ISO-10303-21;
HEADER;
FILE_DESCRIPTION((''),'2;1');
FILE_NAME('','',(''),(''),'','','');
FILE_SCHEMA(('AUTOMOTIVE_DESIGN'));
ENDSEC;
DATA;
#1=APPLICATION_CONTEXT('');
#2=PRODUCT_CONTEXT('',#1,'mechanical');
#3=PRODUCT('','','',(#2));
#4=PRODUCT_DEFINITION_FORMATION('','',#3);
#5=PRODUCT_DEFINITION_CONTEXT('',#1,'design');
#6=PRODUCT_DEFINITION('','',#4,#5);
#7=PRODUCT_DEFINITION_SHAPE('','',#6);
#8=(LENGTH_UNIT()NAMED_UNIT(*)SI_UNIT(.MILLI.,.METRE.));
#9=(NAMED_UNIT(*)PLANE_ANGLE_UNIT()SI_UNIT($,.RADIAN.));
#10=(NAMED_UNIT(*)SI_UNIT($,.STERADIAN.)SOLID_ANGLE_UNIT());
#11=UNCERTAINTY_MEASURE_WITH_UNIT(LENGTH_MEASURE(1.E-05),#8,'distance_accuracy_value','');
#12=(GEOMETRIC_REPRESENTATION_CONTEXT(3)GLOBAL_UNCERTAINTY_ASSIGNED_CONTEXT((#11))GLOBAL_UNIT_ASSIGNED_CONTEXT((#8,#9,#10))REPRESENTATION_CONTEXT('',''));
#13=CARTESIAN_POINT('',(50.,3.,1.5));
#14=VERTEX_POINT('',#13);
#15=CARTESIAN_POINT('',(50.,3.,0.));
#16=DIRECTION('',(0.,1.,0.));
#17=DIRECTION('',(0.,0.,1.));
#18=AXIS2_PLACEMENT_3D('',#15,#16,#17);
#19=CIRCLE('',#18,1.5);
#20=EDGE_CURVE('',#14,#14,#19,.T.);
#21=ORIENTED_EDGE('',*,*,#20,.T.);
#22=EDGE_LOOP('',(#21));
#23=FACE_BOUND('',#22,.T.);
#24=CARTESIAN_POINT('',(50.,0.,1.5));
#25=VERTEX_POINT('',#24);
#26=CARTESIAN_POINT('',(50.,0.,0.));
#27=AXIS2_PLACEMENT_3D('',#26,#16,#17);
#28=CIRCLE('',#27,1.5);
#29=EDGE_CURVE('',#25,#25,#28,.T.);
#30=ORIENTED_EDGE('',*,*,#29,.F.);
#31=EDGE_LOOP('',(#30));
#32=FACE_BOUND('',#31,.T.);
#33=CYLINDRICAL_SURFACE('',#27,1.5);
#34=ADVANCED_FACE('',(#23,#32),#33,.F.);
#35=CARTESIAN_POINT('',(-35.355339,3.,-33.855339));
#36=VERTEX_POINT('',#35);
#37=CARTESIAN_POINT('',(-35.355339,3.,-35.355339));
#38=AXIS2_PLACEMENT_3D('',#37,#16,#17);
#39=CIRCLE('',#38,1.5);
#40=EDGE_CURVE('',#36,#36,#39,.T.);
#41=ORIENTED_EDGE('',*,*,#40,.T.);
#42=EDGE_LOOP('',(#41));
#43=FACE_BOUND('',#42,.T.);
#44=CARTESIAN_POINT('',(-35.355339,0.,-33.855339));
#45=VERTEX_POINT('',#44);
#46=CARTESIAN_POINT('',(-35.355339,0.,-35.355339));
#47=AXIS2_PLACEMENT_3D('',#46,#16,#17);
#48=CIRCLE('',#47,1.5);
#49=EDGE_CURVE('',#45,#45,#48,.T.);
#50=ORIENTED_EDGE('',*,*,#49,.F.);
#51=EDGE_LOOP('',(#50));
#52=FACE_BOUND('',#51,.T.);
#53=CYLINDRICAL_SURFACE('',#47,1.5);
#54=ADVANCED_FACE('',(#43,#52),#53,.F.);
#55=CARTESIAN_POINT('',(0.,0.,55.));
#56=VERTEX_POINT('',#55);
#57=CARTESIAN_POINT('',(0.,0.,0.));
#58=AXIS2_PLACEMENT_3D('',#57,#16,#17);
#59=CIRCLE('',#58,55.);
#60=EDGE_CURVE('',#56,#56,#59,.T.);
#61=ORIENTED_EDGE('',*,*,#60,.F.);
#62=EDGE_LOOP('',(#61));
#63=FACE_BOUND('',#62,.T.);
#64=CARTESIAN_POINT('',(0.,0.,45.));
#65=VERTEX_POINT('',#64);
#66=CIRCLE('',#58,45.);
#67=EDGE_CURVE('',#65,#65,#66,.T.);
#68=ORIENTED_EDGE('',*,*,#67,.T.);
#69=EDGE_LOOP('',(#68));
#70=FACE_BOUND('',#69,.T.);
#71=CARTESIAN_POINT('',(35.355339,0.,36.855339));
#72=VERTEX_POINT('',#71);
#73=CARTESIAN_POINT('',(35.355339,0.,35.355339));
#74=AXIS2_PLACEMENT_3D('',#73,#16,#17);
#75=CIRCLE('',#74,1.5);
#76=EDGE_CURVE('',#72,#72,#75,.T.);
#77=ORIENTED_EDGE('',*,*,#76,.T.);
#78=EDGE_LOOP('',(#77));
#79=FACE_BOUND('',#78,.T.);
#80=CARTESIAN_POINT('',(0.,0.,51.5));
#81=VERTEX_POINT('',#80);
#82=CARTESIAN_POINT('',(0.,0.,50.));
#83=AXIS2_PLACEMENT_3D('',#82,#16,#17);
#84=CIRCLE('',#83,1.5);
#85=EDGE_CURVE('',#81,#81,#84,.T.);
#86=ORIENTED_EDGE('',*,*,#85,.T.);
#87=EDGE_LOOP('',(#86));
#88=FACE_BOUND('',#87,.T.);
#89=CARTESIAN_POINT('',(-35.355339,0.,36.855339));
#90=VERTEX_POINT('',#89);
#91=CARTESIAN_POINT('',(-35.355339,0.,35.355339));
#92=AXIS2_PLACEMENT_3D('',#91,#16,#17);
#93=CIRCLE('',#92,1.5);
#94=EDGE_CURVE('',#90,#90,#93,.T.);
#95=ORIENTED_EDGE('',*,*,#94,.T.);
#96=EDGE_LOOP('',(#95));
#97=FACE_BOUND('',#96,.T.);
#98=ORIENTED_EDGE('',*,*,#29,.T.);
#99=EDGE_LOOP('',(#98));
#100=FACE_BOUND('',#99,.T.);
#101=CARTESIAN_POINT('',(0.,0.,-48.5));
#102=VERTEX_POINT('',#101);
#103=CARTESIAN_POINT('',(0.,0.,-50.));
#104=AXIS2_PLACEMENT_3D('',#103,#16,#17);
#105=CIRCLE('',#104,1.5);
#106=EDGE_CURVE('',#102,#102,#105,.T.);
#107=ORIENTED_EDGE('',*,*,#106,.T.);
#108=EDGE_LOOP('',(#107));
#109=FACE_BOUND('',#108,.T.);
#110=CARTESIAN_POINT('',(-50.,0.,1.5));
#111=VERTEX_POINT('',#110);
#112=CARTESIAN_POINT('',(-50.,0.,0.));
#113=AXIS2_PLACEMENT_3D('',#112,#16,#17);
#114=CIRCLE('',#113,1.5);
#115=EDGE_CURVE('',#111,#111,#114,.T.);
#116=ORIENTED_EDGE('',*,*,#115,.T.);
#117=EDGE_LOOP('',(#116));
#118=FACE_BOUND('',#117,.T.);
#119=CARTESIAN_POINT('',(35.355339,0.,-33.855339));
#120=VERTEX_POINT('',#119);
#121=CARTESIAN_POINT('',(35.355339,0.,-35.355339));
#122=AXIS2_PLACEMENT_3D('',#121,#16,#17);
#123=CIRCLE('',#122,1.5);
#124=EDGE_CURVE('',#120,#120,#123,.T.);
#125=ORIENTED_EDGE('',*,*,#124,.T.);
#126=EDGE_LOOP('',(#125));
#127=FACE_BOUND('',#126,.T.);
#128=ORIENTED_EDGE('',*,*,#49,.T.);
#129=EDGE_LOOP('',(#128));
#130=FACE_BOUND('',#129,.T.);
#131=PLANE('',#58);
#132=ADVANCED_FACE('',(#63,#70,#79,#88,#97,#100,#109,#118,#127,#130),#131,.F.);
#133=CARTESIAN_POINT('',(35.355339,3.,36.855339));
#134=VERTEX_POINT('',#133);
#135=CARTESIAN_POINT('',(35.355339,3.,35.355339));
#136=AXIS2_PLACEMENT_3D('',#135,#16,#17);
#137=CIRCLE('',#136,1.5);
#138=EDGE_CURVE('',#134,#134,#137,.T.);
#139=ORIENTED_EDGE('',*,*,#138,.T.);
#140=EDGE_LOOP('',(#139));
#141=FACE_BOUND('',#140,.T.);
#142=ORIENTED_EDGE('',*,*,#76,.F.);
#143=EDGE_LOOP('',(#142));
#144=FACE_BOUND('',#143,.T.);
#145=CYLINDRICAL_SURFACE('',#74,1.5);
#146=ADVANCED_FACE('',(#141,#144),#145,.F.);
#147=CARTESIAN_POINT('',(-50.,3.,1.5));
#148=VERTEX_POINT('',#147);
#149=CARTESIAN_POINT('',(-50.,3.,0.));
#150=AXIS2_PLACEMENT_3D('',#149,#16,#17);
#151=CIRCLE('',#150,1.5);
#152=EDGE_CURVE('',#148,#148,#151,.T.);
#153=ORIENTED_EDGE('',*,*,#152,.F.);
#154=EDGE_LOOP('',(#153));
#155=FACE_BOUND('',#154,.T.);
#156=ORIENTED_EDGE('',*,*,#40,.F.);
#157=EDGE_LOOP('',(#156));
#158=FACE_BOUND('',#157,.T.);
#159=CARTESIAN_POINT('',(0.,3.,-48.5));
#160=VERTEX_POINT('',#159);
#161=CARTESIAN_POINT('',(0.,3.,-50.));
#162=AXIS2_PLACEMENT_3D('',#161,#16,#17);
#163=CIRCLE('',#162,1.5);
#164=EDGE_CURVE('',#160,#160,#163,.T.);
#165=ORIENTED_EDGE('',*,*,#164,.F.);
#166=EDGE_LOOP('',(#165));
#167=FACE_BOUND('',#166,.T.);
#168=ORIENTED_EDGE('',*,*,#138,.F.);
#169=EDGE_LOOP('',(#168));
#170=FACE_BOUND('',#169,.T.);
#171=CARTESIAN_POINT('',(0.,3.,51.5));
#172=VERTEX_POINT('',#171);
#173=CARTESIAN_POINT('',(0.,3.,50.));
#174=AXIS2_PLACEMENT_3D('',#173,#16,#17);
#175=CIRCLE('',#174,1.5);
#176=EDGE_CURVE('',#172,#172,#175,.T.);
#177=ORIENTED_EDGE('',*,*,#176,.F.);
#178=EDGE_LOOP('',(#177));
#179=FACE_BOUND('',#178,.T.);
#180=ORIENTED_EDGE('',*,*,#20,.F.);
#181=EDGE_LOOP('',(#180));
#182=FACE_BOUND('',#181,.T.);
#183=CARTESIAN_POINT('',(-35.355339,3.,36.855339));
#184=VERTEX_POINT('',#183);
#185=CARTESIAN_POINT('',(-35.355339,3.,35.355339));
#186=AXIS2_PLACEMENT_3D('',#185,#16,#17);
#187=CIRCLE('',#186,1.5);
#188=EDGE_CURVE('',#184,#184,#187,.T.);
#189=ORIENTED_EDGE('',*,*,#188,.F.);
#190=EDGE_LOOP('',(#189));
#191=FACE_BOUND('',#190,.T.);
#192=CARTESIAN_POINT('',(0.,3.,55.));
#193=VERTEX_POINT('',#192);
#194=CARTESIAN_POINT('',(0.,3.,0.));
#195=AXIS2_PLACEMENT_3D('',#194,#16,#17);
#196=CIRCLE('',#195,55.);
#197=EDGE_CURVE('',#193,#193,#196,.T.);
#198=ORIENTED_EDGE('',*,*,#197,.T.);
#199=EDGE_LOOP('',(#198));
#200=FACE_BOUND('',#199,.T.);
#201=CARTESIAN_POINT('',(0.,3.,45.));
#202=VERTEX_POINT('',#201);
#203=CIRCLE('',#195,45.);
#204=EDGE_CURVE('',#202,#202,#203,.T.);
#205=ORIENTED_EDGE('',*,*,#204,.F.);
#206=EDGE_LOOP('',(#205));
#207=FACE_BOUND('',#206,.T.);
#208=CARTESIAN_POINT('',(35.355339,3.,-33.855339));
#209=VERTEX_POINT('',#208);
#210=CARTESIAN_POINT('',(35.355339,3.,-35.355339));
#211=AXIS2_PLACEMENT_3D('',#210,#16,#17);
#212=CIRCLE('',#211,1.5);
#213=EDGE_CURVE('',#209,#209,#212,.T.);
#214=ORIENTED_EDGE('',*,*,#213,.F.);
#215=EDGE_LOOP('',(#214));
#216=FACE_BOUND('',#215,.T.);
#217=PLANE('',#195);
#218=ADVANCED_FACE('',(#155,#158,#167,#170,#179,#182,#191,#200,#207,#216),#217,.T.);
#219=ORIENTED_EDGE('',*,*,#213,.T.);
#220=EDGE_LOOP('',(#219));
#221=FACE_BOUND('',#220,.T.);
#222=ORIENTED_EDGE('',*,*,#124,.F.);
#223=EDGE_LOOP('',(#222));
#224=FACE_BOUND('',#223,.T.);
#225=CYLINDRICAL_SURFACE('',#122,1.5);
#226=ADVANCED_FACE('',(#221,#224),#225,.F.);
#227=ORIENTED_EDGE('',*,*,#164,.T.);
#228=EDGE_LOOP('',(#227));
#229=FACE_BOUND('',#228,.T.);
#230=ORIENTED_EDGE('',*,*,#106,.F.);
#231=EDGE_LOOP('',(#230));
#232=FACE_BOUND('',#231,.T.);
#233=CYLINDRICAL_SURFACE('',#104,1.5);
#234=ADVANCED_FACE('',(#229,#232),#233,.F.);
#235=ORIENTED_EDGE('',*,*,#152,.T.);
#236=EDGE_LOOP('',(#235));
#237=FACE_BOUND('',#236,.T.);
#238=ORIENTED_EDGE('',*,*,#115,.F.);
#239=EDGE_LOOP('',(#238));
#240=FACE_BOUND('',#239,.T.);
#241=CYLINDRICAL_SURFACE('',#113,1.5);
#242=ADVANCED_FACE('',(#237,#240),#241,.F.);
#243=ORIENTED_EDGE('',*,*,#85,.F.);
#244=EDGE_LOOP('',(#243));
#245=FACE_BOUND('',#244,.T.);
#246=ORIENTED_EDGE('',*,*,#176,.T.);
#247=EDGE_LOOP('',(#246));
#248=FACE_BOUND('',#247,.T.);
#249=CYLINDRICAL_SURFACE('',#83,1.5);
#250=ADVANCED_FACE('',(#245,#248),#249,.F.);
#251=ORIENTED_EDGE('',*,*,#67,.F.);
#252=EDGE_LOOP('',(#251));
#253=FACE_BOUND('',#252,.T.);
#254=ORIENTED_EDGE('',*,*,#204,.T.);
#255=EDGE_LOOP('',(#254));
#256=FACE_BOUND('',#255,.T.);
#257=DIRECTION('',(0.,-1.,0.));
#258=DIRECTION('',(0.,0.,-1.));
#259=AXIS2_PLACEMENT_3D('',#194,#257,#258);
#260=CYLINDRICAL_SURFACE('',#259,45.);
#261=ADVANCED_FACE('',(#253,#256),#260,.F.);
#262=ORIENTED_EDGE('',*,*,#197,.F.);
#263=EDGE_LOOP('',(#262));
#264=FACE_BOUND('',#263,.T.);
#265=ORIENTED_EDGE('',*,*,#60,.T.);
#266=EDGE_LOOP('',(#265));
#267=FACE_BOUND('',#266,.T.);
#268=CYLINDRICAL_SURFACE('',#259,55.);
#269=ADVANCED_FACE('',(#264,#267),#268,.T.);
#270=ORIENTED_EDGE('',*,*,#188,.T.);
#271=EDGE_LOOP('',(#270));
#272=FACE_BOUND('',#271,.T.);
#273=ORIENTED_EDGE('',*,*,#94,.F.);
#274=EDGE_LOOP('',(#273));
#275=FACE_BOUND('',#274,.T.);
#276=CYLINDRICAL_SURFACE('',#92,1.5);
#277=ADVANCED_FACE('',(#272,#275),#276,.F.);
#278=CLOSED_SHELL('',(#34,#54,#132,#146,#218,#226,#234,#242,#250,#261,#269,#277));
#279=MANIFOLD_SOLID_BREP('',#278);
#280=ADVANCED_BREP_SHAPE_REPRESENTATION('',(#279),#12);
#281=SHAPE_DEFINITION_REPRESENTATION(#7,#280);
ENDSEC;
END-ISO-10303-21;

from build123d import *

# Parameters (mm, degrees)
SKETCH1_R           = 55
SKETCH1_R_2         = 45
BOSS_EXTRUDE1_DEPTH = 3
SKETCH3_R           = 1.5
CUT_EXTRUDE1_DEPTH  = 3
CRVPATTERN1_COUNT   = 8


with BuildPart() as part:
    # Sketch1 → Boss-Extrude1 (new body)
    with BuildSketch(Plane(origin=(0, 0, 0), x_dir=(1, 0, 0), z_dir=(0, 1, 0))):
        with Locations(Location((0, 0, 0), (0, 0, 270))):
            Circle(SKETCH1_R)
        with Locations(Location((0, 0, 0), (0, 0, 270))):
            Circle(SKETCH1_R_2, mode=Mode.SUBTRACT)
    extrude(amount=BOSS_EXTRUDE1_DEPTH)

    # Sketch3 → Cut-Extrude1 (cut)
    with BuildSketch(Plane(origin=(0, 3, 0), x_dir=(1, 0, 0), z_dir=(0, 1, 0))):
        with Locations(Location((0, 50, 0), (0, 0, 270))):
            Circle(SKETCH3_R)
    cut_extrude1 = extrude(amount=-CUT_EXTRUDE1_DEPTH, mode=Mode.SUBTRACT)

    # CrvPattern1: Cut-Extrude1 ×8 about axis
    crvpattern1_axis = Axis((0, 3, 0), (0, 1, 0))
    for i in range(1, CRVPATTERN1_COUNT):
        add(cut_extrude1.rotate(crvpattern1_axis, i * 360 / CRVPATTERN1_COUNT), mode=Mode.SUBTRACT)


solid = part.part
